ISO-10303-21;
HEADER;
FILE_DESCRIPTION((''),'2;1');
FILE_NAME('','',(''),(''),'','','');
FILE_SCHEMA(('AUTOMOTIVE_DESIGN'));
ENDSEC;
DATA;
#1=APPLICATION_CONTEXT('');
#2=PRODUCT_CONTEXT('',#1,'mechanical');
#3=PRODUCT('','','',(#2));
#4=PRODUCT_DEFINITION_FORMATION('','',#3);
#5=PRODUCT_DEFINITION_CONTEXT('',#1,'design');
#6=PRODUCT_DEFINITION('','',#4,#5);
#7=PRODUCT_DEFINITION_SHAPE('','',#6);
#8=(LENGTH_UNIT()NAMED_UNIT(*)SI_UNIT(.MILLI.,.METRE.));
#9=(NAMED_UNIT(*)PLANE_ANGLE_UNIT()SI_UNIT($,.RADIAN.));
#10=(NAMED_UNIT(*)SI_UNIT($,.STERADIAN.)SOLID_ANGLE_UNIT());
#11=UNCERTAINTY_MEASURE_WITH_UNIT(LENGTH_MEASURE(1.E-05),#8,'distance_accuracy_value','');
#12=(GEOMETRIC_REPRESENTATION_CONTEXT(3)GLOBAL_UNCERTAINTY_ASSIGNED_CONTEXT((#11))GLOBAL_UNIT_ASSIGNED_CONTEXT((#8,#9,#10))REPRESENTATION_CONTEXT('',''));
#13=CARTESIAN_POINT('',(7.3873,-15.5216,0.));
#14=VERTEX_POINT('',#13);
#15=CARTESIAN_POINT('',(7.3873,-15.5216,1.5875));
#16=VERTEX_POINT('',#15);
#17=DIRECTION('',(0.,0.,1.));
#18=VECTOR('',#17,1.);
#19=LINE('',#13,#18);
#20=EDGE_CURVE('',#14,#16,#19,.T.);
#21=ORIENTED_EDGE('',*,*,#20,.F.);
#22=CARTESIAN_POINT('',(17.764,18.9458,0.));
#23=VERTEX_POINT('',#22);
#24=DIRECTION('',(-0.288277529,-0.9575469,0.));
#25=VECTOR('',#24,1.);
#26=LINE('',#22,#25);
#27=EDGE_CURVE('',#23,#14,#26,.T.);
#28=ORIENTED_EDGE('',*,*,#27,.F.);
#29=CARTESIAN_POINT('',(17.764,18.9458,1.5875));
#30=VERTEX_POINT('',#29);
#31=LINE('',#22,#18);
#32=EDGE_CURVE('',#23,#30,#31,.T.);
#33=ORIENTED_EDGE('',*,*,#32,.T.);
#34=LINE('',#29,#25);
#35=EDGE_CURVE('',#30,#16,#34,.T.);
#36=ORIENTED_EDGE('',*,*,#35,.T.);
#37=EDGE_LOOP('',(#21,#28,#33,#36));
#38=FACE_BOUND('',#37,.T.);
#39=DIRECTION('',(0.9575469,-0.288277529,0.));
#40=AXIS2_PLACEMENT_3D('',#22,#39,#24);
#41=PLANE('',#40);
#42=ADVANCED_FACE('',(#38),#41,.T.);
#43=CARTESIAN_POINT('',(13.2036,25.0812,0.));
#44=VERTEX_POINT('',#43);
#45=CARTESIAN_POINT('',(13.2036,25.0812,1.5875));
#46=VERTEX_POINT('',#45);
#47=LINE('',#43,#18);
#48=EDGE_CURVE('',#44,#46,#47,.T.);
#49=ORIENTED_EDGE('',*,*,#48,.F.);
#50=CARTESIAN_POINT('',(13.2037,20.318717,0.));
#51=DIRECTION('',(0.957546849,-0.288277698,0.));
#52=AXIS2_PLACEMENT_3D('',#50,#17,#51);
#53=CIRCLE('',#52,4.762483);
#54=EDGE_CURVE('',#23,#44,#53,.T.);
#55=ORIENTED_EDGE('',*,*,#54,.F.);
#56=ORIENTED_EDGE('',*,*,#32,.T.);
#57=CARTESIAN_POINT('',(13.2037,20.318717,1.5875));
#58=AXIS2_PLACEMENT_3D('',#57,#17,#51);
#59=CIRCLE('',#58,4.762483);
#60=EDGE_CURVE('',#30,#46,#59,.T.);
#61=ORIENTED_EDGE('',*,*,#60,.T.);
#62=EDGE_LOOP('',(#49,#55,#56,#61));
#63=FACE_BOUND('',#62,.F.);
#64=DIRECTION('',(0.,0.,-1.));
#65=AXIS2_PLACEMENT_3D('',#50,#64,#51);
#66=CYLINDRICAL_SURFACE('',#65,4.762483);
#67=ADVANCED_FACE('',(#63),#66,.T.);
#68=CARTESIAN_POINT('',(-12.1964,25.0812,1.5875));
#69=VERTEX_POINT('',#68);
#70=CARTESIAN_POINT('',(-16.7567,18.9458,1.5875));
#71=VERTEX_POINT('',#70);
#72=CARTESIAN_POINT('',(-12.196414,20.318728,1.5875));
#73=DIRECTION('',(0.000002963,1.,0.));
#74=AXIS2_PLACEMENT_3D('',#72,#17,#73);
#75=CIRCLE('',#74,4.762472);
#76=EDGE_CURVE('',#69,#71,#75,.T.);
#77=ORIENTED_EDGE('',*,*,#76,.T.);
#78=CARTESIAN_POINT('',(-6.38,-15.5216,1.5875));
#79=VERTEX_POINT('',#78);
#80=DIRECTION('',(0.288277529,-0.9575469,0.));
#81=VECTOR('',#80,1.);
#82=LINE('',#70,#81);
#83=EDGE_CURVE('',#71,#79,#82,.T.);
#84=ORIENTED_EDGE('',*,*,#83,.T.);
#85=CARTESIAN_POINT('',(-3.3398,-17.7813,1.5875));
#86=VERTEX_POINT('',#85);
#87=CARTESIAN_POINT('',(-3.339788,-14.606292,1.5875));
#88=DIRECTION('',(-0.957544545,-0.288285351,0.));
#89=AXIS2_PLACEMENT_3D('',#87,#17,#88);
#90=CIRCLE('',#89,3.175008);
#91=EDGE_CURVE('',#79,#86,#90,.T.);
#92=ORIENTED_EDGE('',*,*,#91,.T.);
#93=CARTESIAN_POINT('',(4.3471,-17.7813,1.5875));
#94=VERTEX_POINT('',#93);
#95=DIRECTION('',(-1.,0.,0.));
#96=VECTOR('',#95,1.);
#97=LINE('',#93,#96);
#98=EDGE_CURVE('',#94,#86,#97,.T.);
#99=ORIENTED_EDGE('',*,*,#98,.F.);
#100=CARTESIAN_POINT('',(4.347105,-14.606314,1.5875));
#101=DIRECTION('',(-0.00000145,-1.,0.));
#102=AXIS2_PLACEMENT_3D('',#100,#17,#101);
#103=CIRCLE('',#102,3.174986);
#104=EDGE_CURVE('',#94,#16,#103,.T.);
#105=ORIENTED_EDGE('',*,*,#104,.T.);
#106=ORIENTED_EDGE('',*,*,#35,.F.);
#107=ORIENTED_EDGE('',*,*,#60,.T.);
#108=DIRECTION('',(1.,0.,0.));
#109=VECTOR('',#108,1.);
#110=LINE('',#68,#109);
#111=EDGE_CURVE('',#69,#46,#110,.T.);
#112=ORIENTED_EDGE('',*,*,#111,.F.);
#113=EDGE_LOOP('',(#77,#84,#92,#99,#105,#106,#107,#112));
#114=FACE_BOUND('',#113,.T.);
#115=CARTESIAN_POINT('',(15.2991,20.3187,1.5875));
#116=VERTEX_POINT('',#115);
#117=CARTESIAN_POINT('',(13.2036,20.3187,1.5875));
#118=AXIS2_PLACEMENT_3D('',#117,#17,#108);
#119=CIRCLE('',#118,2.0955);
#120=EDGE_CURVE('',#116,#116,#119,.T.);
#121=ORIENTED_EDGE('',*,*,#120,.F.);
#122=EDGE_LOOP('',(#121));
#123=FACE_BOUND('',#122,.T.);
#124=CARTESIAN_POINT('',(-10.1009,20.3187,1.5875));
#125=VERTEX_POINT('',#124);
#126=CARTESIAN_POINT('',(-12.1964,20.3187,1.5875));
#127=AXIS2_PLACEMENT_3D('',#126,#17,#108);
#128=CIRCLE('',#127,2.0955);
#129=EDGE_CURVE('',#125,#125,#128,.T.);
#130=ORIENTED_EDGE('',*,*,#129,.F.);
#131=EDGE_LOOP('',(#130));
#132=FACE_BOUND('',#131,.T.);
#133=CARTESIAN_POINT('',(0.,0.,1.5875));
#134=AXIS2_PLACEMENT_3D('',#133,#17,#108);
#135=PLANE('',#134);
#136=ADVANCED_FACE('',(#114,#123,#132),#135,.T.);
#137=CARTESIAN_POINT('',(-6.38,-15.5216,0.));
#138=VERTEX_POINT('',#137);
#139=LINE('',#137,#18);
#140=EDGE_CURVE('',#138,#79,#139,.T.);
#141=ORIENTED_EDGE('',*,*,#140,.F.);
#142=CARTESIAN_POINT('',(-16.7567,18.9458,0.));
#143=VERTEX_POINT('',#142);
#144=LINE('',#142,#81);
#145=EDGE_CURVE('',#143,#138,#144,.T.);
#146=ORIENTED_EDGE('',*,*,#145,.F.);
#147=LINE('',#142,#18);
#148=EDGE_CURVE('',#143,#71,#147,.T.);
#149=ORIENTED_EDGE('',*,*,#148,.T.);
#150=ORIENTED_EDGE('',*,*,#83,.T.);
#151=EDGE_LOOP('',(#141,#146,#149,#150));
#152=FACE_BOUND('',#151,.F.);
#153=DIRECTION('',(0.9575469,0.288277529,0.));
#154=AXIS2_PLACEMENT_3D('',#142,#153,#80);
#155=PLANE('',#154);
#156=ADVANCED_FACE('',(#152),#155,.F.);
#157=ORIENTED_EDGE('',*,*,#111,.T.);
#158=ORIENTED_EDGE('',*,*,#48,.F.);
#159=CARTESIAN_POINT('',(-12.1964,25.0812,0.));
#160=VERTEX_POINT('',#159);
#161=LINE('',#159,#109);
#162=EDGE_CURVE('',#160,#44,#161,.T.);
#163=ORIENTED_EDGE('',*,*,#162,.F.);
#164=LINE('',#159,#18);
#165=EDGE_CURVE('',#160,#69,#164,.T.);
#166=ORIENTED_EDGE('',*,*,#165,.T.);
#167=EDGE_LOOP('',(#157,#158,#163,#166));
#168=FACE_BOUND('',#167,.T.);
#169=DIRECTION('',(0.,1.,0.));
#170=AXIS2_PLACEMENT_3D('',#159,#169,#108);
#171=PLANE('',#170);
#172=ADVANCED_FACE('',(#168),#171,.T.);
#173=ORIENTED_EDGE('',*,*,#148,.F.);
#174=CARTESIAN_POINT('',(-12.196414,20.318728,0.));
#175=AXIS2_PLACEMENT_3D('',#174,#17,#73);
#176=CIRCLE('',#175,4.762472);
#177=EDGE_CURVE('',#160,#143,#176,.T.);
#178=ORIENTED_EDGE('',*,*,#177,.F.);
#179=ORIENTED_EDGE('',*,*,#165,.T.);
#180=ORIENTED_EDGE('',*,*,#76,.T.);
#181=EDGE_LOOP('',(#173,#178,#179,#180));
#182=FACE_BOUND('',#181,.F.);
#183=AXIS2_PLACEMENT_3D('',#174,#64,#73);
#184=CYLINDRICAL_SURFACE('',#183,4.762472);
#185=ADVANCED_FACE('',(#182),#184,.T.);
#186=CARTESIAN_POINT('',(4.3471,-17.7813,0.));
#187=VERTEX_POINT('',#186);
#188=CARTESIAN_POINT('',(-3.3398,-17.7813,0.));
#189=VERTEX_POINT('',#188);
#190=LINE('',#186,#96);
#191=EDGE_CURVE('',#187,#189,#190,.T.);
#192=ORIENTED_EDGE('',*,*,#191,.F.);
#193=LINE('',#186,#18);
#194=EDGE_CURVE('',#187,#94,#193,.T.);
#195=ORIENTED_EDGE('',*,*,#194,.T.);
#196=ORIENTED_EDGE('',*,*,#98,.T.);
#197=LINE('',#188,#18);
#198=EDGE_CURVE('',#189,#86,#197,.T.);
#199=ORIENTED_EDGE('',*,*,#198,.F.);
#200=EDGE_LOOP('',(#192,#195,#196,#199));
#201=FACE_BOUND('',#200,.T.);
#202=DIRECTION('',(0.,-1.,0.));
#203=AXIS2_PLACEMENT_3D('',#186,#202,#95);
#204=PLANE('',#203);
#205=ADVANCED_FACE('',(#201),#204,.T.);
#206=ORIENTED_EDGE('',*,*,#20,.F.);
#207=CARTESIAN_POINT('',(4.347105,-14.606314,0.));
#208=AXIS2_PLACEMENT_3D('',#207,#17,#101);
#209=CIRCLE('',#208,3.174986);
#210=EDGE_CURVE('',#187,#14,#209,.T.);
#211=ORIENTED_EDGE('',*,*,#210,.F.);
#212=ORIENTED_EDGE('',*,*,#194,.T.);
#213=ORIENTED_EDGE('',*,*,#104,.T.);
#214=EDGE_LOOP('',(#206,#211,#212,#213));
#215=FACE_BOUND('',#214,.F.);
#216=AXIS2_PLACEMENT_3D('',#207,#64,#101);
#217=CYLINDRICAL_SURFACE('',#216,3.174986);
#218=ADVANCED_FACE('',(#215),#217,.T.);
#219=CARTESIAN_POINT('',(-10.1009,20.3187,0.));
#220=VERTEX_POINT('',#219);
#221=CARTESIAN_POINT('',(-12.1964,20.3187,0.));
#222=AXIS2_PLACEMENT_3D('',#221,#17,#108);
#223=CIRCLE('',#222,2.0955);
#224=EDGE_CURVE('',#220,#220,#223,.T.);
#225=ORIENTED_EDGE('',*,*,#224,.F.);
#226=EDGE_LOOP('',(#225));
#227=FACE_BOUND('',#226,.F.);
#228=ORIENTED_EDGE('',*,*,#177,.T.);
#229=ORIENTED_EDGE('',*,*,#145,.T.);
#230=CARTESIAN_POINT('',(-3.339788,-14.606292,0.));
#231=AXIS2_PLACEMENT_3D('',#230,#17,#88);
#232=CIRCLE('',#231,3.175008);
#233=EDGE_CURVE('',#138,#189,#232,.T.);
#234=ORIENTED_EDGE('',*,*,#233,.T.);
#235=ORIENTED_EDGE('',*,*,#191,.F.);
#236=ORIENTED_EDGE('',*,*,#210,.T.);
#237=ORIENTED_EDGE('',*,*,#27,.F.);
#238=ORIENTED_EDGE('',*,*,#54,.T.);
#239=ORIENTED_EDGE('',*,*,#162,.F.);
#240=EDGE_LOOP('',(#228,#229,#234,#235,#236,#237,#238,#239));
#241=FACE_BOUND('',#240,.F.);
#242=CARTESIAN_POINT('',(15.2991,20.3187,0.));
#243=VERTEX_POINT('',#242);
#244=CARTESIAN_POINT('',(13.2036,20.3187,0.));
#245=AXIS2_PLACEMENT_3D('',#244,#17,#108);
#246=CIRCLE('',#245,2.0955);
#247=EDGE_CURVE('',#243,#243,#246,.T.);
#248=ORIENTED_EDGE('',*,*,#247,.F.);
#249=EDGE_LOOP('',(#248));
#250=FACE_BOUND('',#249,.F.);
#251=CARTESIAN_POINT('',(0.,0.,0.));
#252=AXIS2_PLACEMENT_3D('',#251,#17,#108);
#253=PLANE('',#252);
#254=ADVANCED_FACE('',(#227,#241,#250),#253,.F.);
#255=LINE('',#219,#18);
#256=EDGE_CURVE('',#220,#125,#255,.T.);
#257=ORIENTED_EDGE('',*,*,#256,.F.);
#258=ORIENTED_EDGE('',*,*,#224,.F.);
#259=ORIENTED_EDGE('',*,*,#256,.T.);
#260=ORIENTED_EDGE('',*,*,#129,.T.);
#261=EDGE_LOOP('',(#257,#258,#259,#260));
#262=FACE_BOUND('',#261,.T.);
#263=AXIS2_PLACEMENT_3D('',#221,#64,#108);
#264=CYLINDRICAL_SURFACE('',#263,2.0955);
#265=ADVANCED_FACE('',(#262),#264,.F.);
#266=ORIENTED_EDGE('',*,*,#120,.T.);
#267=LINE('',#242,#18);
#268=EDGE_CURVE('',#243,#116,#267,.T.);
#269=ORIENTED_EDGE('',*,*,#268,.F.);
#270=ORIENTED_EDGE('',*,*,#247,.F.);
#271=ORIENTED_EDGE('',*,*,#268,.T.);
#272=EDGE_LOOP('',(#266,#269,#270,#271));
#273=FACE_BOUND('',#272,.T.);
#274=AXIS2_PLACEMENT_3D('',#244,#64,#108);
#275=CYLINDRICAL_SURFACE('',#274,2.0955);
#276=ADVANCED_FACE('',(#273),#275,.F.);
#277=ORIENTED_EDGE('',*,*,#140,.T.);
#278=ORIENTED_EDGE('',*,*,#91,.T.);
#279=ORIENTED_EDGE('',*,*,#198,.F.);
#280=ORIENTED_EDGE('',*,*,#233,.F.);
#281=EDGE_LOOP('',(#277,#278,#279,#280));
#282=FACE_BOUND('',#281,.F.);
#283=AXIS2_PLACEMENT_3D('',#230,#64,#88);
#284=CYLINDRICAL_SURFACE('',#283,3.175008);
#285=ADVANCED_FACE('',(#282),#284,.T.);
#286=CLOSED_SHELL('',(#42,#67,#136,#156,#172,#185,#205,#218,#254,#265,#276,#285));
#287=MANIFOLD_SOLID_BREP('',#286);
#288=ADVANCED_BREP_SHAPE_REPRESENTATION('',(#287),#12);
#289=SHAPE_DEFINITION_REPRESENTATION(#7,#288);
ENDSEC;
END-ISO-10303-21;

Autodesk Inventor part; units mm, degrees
ref_plane "YZ Plane" through (0, 0, 0) normal (1, 0, 0) x (0, 1, 0)
ref_plane "XZ Plane" through (0, 0, 0) normal (0, 1, 0) x (-1, 0, 0)
ref_plane "XY Plane" through (0, 0, 0) normal (0, 0, 1) x (1, 0, 0)
sketch "Sketch1" plane through (0, 0, 0) normal (0, 0, 1) x (1, 0, 0)
  circle A0 centre (13.2036, 20.3187) radius 2.0955
  circle A1 centre (-12.1964, 20.3187) radius 2.0955
  line L0 (4.3471, -17.7813) -> (-3.3398, -17.7813)
  arc A2 (4.3471, -17.7813) -> (7.3873, -15.5216) centre (4.3471, -14.6063) ccw
  arc A3 (-6.38, -15.5216) -> (-3.3398, -17.7813) centre (-3.3398, -14.6063) ccw
  line L1 (-16.7567, 18.9458) -> (-6.38, -15.5216)
  line L2 (17.764, 18.9458) -> (7.3873, -15.5216)
  arc A4 (-12.1964, 25.0812) -> (-16.7567, 18.9458) centre (-12.1964, 20.3187) ccw
  arc A5 (17.764, 18.9458) -> (13.2036, 25.0812) centre (13.2036, 20.3187) ccw
  line L3 (-12.1964, 25.0812) -> (13.2036, 25.0812)
  point P0 (0, 0)
  point P1 (-12.1964, 25.0812)
  point P2 (17.4758, 18.214)
  point P3 (-16.4686, 18.214)
  dimension "d1" = 3.175
  dimension "d8" = 4.191
  dimension "d9" = 4.191
  dimension "d25" = 9.525
  dimension "d26" = 9.525
  dimension "d28" = 42.8625
extrude "Extrusion1" add sketch "Sketch1" along normal blind 1.5875
equation "\"BendRadius\" = Thickness"
equation "\"BendReliefWidth\" = Thickness"
equation "\"BendReliefDepth\" = 0.5 * Thickness"
equation "\"CornerReliefSize\" = 4 * Thickness"
equation "\"MinimumRemnant\" = 2 * Thickness"
equation "\"TransitionRadius\" = BendRadius"
equation "\"JacobiRadiusSize\" = BendRadius"
equation "\"GapSize\" = Thickness"
equation "\"Thickness\" = 1.5875"
properties part number "Hook Gussett" material "Acetal Resin, White"
